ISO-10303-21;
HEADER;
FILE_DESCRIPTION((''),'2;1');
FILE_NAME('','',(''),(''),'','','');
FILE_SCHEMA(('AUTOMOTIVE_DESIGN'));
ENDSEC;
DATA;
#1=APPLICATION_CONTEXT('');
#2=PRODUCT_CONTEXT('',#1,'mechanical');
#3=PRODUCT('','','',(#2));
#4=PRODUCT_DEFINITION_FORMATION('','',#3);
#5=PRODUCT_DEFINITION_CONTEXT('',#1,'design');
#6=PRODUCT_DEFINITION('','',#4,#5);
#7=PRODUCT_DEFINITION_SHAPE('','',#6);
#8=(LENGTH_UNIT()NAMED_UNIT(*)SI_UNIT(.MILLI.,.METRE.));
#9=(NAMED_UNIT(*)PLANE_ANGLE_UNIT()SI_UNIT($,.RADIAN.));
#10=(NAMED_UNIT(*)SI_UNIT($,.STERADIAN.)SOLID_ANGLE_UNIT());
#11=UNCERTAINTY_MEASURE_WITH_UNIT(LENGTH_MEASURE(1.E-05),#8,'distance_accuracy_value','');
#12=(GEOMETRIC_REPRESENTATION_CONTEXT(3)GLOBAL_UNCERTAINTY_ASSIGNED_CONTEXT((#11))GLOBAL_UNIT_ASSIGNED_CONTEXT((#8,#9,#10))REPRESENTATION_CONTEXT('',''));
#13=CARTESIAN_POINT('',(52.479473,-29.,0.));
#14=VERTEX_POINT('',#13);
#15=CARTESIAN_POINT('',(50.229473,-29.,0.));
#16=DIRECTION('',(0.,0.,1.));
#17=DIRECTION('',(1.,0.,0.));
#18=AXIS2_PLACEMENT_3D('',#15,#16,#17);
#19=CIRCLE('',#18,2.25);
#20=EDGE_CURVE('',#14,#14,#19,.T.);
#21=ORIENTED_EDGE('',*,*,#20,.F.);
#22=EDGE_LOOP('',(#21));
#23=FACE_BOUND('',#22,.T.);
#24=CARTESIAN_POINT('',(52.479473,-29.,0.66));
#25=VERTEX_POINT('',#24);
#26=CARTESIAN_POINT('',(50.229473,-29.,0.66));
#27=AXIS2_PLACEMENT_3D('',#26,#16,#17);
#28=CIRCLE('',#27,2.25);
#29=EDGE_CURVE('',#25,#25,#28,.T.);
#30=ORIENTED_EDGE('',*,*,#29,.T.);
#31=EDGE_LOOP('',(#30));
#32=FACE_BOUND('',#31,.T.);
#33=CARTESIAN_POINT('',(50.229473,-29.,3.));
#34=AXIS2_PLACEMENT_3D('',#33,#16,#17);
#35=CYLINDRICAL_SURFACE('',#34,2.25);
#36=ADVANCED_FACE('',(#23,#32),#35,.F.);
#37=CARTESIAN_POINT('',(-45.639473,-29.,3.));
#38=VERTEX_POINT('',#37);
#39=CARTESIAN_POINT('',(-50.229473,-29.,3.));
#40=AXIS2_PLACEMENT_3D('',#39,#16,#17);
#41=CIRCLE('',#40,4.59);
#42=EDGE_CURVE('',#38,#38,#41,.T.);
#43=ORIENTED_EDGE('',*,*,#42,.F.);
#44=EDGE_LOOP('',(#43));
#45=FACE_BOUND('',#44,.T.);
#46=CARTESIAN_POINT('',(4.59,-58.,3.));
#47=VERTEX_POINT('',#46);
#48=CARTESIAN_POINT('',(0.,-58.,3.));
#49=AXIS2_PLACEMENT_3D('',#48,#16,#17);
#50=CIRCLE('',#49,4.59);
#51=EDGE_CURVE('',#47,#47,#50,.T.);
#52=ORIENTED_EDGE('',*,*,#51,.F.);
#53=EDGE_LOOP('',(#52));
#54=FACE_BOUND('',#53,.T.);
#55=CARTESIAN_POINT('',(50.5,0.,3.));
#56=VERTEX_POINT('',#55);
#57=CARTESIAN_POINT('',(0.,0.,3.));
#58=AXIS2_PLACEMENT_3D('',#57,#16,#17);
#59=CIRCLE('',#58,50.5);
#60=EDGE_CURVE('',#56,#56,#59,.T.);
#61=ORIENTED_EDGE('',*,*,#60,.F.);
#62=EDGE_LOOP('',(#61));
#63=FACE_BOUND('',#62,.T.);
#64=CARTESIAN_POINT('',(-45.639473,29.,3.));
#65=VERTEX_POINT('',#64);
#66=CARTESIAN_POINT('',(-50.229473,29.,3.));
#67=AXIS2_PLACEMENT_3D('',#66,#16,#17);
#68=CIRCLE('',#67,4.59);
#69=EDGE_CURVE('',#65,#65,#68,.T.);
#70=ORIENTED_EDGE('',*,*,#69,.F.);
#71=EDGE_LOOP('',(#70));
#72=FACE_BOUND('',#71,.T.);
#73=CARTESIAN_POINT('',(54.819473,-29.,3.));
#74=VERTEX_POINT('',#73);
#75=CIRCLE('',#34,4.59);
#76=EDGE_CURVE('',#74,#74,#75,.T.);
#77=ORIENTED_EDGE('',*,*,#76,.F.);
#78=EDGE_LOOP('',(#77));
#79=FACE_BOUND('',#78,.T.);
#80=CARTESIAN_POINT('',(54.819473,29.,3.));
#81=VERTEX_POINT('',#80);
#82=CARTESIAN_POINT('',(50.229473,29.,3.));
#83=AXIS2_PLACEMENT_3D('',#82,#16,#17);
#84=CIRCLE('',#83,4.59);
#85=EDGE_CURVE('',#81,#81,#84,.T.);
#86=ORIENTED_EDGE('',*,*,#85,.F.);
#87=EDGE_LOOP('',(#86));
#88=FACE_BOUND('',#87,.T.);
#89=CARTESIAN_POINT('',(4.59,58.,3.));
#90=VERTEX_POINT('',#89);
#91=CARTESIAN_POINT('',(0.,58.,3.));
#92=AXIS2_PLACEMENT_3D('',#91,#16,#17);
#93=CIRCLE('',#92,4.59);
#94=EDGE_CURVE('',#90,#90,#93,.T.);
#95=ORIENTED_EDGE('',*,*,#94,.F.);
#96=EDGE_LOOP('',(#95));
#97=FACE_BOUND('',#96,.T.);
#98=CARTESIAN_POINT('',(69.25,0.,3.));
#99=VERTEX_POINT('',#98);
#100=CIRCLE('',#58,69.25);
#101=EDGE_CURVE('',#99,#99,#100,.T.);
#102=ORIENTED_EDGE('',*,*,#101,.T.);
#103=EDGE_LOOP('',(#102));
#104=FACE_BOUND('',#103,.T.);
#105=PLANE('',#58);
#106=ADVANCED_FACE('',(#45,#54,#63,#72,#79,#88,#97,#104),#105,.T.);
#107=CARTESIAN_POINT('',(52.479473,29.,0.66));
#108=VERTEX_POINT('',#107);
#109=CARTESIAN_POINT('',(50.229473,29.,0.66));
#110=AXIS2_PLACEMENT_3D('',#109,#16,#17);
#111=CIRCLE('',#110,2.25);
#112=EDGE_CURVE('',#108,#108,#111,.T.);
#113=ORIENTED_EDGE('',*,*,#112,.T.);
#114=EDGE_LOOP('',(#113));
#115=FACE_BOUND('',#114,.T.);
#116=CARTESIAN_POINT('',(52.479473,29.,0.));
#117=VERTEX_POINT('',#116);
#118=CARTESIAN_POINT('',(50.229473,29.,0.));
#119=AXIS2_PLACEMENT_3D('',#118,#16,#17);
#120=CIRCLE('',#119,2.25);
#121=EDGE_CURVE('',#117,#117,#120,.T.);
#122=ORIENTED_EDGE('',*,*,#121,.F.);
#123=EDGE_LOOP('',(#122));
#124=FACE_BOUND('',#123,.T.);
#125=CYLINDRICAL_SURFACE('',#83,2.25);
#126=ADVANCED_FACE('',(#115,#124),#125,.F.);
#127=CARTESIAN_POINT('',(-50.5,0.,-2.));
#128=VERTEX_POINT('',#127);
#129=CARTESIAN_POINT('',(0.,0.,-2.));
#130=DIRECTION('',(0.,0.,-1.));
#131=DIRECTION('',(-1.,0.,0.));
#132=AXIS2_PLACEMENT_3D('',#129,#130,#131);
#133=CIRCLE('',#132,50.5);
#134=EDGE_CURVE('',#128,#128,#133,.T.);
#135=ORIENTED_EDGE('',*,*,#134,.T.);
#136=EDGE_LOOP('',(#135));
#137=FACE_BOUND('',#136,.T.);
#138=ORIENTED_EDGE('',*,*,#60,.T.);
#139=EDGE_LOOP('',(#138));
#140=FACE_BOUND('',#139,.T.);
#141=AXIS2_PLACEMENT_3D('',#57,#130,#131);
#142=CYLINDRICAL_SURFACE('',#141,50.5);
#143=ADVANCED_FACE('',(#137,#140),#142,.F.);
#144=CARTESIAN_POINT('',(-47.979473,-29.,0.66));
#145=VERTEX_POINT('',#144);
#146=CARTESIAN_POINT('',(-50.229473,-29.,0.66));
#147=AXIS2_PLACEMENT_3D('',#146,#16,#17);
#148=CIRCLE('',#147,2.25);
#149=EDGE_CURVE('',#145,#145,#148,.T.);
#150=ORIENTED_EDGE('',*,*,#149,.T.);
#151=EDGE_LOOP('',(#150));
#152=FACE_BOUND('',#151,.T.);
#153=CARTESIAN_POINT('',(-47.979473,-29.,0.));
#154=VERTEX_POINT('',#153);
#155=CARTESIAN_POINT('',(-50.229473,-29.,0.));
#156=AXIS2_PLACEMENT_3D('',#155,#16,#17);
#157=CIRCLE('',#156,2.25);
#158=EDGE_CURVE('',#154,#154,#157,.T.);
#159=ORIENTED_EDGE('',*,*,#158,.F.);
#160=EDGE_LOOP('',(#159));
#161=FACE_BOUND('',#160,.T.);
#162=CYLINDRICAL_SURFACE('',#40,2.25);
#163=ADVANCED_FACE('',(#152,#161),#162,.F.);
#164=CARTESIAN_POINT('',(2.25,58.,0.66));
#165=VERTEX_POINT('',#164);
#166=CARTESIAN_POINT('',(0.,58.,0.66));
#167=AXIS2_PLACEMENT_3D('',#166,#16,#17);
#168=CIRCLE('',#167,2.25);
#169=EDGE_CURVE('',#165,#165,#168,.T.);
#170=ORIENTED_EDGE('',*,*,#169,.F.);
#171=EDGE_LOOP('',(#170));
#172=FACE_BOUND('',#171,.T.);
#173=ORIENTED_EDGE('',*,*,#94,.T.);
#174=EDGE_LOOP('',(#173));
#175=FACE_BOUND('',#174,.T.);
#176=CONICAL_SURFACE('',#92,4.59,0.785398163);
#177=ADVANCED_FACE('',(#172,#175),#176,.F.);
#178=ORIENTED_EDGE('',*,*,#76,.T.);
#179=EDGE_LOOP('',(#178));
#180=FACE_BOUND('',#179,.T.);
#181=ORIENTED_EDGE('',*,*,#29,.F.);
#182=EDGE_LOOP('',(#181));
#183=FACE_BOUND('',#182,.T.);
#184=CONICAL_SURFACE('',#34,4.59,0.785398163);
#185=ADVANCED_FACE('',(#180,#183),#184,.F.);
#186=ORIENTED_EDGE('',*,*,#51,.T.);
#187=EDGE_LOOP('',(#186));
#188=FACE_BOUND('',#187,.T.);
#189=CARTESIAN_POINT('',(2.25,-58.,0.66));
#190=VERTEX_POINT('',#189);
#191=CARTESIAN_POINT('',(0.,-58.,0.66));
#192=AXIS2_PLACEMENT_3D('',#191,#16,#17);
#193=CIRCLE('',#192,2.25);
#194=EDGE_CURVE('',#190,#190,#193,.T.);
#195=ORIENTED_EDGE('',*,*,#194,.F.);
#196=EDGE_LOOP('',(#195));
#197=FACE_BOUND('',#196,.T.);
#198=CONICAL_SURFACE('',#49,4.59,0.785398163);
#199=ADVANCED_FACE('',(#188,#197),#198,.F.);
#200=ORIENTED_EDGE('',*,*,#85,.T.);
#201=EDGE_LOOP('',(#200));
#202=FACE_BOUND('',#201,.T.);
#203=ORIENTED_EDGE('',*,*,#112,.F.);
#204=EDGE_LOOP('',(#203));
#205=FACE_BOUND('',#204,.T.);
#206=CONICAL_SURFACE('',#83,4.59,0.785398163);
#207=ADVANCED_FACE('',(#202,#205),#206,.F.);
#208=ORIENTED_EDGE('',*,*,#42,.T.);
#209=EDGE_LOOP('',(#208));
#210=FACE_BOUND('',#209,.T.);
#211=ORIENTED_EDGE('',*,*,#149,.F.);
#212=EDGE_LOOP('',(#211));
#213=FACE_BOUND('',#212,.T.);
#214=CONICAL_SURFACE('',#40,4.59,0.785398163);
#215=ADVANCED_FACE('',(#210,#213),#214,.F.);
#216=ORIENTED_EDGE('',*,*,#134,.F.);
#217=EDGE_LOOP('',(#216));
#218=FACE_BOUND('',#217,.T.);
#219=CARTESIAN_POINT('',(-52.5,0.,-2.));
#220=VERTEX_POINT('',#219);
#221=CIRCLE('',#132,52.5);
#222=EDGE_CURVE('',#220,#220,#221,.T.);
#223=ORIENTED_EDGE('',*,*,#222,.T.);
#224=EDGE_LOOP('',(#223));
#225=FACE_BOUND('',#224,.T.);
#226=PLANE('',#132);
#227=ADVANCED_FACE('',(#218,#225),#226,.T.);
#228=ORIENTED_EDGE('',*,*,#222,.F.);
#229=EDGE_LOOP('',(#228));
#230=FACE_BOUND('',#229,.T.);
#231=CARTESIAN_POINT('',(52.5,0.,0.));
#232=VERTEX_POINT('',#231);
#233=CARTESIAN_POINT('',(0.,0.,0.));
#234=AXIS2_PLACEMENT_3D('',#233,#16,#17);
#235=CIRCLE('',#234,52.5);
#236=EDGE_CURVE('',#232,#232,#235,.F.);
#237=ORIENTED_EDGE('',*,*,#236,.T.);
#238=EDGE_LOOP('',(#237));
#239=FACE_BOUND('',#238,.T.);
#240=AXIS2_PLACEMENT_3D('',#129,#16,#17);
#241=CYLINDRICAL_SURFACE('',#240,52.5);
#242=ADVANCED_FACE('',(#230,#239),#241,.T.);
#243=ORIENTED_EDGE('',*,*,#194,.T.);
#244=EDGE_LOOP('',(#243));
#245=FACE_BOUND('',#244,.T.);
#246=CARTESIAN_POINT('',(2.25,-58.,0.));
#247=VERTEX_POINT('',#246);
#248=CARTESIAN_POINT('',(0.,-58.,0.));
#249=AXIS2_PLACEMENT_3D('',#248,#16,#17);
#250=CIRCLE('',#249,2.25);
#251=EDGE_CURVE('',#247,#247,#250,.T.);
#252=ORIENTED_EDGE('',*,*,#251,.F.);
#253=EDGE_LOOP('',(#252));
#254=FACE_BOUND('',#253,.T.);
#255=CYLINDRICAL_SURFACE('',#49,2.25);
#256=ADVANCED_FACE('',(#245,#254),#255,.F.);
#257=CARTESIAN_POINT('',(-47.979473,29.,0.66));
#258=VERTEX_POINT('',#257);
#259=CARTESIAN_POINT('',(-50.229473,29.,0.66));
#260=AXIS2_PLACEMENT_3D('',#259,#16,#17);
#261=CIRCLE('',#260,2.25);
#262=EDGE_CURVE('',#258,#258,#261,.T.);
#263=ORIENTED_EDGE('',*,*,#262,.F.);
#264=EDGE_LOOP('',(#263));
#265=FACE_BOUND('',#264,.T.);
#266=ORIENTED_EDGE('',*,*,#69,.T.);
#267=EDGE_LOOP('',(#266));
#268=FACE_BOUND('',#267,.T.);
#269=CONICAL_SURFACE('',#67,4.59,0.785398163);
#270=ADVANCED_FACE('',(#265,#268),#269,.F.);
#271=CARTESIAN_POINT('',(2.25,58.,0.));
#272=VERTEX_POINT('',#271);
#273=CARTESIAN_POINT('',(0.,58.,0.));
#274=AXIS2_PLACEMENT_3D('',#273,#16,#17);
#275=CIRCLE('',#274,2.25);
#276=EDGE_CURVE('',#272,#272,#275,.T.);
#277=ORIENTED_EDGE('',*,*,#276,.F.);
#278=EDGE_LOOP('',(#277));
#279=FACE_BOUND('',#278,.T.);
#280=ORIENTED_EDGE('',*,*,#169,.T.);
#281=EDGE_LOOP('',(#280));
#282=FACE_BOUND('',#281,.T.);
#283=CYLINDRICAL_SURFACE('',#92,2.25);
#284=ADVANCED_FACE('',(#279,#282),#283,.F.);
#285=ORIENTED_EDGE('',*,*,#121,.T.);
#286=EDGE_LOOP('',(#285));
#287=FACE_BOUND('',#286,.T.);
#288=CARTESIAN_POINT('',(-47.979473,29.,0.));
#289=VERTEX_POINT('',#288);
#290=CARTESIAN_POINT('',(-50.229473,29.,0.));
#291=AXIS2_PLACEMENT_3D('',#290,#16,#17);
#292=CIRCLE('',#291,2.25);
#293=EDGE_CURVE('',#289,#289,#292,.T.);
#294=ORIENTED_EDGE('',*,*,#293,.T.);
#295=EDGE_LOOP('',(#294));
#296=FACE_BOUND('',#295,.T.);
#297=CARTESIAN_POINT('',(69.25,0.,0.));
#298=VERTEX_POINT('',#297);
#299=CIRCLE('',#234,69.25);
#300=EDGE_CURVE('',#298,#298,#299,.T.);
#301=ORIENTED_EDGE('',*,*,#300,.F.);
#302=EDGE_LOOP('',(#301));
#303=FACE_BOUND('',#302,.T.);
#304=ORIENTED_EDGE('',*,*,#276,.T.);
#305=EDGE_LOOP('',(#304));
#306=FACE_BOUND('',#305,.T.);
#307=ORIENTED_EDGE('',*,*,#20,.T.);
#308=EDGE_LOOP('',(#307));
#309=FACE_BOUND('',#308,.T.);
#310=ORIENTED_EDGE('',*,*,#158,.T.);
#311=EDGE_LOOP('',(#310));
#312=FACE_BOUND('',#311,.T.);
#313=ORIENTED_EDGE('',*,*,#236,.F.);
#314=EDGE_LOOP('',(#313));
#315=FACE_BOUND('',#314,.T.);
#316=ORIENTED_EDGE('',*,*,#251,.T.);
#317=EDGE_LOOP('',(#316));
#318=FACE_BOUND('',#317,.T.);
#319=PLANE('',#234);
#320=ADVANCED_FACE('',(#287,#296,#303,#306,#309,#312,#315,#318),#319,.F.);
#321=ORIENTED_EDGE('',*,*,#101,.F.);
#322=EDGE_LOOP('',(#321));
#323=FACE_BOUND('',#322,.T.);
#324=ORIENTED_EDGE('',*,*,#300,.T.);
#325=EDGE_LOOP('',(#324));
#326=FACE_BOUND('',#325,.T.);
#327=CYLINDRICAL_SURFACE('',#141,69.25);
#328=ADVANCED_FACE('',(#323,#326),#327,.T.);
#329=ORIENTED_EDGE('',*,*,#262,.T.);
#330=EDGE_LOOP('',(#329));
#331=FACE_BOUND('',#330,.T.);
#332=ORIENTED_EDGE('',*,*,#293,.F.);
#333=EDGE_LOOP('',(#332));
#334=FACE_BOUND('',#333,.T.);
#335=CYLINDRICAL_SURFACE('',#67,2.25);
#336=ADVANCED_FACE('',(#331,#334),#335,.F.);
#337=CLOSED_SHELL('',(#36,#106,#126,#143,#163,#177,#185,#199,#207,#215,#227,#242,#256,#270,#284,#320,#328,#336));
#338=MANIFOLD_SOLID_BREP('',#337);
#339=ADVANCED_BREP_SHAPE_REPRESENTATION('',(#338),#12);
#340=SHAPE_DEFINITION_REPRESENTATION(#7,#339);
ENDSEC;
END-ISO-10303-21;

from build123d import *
from build123d.topology import SkipClean

# Parameters (mm, degrees)
SKETCH1_R           = 69.25
SKETCH1_R_2         = 50.5
EXTRUDE1_DEPTH      = 3
SKETCH2_R           = 2
CUT_EXTRUDE1_DEPTH  = 10
CIRPATTERN1_COUNT   = 6
BOSS_EXTRUDE1_START = 2
SKETCH4_R           = 52.5
SKETCH4_R_2         = 50.5
BOSS_EXTRUDE1_DEPTH = 2


with BuildPart() as part:
    # Sketch1 → Extrude1 (new body)
    with BuildSketch(Plane.XY):
        Circle(SKETCH1_R)
        Circle(SKETCH1_R_2, mode=Mode.SUBTRACT)
    extrude(amount=EXTRUDE1_DEPTH)

    # Sketch2 → Cut-Extrude1 (cut)
    with BuildSketch(Plane.XY.offset(3)):
        with Locations((0, 58)):
            Circle(SKETCH2_R)
    extrude(amount=-CUT_EXTRUDE1_DEPTH, mode=Mode.SUBTRACT)

    # Sketch3 → CSK for M4 Hex Socket Countersunk Head Screw1 (revolve, cut)
    with BuildSketch(Plane(origin=(0, 58, 3), x_dir=(0, -1, 0), z_dir=(1, 0, 0))):
        Polygon((0, 0), (0, 3), (2.25, 3), (2.25, 2.34), (4.59, 0), align=None)
    csk_for_m4_hex_socket_countersunk_head_s = revolve(axis=Axis((0, 58, 9.35), (0, 0, -1)), mode=Mode.SUBTRACT)

    # CirPattern1: CSK for M4 Hex Socket Countersunk Head Screw1 ×6 about axis
    cirpattern1_axis = Axis((0, 0, 3), (0, 0, -1))
    for i in range(1, CIRPATTERN1_COUNT):
        add(csk_for_m4_hex_socket_countersunk_head_s.rotate(cirpattern1_axis, i * 360 / CIRPATTERN1_COUNT), mode=Mode.SUBTRACT)

    # Sketch4 → Boss-Extrude1 (add)
    with SkipClean():  # the faces are left unmerged after this step: merging them gives an invalid solid
        with BuildSketch(Plane(origin=(0, 0, 0), x_dir=(-1, 0, 0), z_dir=(0, 0, -1)).offset(BOSS_EXTRUDE1_START)):
            Circle(SKETCH4_R)
            Circle(SKETCH4_R_2, mode=Mode.SUBTRACT)
        extrude(amount=-BOSS_EXTRUDE1_DEPTH)


solid = part.part
